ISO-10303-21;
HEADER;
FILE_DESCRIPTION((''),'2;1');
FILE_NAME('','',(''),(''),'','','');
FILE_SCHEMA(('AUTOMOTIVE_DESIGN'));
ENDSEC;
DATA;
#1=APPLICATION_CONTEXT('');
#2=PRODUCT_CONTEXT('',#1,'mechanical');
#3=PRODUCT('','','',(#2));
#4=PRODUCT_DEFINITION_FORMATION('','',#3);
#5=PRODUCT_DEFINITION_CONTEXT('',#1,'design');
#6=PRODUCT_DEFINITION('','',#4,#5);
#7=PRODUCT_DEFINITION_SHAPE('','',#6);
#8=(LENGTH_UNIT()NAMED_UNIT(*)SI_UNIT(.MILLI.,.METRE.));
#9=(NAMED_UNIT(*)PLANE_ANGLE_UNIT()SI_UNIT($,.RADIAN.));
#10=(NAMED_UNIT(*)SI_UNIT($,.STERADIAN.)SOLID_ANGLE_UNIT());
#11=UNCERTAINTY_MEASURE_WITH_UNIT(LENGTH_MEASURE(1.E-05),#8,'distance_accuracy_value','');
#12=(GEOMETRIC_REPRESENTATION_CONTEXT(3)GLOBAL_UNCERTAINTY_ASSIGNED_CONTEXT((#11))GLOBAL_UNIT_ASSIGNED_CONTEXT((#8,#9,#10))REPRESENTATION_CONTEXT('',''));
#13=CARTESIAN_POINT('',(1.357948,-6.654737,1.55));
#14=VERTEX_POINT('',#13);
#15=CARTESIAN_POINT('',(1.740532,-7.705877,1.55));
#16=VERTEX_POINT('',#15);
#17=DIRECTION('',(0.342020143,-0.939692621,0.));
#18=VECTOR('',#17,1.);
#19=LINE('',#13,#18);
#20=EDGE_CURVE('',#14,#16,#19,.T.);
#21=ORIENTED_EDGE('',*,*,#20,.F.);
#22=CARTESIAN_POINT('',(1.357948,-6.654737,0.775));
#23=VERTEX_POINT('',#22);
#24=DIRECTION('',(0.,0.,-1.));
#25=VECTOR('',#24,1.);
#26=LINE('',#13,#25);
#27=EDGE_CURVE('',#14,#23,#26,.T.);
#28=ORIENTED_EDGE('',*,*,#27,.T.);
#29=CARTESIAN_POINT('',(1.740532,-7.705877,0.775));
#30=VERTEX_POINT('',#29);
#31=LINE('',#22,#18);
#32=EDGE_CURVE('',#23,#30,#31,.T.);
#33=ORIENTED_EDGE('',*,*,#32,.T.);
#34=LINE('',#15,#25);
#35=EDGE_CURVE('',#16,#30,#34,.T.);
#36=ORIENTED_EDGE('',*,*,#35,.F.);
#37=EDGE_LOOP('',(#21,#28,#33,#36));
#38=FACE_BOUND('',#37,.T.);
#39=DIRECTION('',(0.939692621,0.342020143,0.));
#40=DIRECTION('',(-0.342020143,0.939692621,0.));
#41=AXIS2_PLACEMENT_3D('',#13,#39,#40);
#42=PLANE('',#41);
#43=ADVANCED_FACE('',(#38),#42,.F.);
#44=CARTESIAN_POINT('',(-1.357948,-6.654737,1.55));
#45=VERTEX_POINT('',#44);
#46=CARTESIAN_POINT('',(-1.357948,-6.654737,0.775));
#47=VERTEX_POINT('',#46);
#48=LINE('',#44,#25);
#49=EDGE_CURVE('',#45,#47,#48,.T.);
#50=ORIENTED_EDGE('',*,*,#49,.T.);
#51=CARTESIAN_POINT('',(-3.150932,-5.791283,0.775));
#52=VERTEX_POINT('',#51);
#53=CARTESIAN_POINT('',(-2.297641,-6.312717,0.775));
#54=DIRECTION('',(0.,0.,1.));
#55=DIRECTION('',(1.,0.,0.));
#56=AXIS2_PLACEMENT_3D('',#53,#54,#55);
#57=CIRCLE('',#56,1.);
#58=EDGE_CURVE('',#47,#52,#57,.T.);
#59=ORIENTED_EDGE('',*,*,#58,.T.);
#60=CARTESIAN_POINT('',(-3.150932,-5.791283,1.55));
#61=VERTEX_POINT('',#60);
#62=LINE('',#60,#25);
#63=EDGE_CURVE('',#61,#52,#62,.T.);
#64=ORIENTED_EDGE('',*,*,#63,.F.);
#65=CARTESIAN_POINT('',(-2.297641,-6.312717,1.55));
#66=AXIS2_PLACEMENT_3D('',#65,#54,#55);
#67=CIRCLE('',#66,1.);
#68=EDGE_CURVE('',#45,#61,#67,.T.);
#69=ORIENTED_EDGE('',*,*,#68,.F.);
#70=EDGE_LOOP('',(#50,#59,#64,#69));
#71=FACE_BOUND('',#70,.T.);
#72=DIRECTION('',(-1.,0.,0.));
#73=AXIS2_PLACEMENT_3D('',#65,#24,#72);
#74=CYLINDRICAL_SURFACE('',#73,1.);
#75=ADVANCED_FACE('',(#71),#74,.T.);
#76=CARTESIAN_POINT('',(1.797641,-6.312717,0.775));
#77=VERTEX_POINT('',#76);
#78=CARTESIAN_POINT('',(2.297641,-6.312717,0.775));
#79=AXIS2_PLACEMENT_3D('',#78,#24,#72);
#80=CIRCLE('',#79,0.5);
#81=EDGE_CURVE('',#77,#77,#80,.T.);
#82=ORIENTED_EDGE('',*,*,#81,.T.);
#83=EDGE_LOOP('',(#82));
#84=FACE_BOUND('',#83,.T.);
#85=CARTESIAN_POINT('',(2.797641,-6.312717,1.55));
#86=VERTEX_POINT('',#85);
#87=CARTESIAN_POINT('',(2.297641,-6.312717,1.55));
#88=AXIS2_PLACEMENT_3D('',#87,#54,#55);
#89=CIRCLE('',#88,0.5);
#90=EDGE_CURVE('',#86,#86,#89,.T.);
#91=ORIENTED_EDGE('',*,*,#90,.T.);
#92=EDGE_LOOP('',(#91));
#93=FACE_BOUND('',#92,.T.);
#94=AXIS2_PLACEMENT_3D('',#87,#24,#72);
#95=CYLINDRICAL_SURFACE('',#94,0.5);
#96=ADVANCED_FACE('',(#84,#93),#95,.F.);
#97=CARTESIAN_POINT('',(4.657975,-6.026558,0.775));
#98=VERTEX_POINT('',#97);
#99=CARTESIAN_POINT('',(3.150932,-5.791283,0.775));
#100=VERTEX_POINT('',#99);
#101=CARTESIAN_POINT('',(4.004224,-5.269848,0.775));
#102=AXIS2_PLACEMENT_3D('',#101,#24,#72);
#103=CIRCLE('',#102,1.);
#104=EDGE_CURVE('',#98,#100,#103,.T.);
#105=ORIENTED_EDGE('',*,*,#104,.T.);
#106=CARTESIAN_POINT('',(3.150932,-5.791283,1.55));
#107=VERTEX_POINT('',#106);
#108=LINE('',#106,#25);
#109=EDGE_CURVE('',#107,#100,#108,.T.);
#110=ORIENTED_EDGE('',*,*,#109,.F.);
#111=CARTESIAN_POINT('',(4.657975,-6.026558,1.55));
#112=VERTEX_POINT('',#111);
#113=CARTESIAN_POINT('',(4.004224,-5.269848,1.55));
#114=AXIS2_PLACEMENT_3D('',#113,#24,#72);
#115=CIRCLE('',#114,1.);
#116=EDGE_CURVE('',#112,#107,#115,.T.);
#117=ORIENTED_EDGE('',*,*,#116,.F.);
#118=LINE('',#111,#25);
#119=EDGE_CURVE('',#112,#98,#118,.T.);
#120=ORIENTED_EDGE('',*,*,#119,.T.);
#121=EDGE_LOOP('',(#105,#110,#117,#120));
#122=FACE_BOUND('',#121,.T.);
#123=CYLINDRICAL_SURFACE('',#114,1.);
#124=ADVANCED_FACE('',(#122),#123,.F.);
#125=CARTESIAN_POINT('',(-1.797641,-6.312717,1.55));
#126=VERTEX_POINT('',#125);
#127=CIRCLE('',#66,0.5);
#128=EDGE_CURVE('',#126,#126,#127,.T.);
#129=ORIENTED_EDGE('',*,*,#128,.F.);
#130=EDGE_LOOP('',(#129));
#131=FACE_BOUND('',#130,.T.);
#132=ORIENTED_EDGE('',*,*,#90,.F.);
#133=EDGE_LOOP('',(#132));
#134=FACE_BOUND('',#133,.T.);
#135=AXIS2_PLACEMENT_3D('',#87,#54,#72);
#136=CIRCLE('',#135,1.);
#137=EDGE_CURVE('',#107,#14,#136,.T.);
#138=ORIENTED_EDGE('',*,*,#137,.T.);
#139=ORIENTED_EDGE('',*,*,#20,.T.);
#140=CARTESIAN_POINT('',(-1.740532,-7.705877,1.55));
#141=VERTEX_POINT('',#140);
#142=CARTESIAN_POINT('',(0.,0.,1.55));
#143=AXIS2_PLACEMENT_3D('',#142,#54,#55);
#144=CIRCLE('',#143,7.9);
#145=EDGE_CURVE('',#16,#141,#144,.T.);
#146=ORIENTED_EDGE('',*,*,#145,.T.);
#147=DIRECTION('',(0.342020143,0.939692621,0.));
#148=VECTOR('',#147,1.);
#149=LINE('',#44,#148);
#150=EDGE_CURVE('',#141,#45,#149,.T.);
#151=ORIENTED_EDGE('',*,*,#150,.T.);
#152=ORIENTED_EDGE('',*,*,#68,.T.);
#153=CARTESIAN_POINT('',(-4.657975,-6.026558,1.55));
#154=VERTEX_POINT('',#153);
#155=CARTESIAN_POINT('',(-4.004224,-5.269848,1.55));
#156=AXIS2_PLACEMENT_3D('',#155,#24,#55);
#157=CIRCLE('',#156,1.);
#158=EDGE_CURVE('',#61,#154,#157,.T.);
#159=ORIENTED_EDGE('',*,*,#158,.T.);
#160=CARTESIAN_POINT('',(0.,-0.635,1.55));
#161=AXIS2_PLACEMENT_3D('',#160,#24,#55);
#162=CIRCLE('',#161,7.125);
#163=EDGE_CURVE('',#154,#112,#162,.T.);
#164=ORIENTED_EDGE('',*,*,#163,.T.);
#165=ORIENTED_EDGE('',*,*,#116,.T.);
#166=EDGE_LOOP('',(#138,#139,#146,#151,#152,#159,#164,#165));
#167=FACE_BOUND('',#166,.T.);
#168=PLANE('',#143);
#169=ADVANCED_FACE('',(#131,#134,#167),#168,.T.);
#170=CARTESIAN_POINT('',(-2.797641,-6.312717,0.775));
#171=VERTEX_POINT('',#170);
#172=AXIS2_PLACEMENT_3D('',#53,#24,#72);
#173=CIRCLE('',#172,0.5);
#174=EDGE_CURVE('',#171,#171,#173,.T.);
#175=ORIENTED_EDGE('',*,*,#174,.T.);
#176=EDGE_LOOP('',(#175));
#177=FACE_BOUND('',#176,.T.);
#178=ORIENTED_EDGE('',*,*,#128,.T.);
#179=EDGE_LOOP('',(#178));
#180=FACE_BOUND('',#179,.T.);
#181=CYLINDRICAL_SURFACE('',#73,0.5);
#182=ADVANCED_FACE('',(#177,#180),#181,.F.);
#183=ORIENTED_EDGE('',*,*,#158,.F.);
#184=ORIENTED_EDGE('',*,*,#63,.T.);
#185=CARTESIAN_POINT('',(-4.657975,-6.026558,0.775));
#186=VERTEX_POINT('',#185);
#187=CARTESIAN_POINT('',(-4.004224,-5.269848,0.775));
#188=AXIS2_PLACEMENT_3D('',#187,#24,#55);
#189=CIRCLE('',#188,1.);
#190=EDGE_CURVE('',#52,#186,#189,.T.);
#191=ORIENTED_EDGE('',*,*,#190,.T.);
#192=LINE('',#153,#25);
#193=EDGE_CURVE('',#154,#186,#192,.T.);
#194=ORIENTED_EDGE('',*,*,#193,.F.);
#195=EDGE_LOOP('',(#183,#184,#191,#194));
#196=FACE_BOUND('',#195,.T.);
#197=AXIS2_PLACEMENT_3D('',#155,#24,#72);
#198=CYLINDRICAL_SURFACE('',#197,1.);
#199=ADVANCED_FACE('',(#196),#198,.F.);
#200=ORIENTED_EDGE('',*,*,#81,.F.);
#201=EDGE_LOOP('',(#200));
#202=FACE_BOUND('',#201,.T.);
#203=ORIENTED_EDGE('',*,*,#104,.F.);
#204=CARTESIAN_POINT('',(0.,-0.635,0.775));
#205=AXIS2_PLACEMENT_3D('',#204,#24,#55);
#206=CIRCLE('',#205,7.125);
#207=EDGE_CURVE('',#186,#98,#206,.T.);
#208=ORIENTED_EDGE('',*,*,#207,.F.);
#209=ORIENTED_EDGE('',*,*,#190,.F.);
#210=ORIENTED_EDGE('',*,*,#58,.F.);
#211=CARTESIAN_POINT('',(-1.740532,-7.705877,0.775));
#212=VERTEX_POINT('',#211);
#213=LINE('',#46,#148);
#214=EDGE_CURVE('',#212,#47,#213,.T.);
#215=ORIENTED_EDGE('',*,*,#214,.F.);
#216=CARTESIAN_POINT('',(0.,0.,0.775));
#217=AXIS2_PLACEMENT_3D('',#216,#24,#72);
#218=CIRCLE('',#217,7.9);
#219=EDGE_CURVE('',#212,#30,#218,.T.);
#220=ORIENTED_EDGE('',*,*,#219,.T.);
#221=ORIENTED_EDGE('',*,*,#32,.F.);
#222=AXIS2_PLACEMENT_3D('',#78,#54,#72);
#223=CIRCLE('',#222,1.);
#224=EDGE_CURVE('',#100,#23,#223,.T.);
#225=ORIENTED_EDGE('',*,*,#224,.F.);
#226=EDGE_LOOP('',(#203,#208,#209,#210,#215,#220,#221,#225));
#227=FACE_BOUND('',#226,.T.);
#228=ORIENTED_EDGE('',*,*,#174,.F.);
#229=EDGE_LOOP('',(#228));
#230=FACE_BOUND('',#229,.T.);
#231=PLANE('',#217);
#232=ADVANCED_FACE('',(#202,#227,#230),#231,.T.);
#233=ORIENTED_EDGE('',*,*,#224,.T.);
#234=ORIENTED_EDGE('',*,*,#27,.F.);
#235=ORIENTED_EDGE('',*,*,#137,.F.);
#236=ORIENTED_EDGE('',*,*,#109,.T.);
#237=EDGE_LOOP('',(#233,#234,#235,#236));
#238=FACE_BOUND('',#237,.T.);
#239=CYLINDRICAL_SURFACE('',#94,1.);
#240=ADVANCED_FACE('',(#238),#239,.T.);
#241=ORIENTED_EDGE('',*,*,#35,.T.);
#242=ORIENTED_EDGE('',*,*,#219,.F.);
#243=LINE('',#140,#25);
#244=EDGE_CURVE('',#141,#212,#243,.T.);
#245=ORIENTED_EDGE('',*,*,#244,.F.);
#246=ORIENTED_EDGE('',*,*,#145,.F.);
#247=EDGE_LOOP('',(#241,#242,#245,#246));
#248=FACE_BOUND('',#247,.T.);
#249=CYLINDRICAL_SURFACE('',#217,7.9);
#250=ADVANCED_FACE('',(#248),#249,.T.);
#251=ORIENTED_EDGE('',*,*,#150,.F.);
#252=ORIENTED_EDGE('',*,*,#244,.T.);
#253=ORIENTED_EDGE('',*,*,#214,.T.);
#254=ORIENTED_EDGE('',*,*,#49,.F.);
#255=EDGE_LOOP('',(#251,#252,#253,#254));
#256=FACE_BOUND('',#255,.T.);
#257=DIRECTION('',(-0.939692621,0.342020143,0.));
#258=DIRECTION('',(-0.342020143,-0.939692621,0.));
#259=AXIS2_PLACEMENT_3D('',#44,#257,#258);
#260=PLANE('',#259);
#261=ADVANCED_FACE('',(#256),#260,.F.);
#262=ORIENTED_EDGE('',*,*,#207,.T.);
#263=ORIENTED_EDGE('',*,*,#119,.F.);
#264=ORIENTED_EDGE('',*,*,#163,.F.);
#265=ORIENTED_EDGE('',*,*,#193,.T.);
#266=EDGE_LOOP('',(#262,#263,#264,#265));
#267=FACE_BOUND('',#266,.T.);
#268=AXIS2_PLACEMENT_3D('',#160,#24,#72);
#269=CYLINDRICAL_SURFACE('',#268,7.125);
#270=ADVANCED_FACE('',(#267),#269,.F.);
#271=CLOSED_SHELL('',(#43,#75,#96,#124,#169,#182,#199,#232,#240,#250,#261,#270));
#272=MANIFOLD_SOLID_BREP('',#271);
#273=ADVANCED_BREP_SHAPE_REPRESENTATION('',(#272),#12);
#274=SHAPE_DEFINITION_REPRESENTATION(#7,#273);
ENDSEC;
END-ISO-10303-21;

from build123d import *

# Parameters (mm, degrees)
SKETCH1_R                 = 7.9
EXTRUDE1_DEPTH            = 0.775
SKETCH34_R                = 0.5
F_056_250_SNAP_RING_DEPTH = 0.775
SKETCH35_R                = 7.9
CUT_EXTRUDE1_DEPTH        = 0.775


with BuildPart() as part:
    # Sketch1 → Extrude1 (new body)
    with BuildSketch(Plane.XY):
        with Locations(Location((0, 0, 0), (0, 0, 180))):
            Circle(SKETCH1_R)
    extrude(amount=EXTRUDE1_DEPTH)

    # Sketch34 → 056-250 Snap Ring (add)
    with BuildSketch(Plane.XY.offset(0.775)):
        with BuildLine():
            Line((-1.357948468, -6.654737152), (-1.740532253, -7.705877463))
            ThreePointArc((-1.740532253, -7.705877463), (0, 7.9), (1.740532253, -7.705877463))
            Line((1.740532253, -7.705877463), (1.357948468, -6.654737152))
            ThreePointArc((1.357948468, -6.654737152), (1.863757747, -5.411747949), (3.15093243, -5.791282558))
            ThreePointArc((3.15093243, -5.791282558), (3.849974822, -6.257880122), (4.657974592, -6.026558003))
            ThreePointArc((4.657974592, -6.026558003), (0, 6.49), (-4.657974592, -6.026558003))
            ThreePointArc((-4.657974592, -6.026558003), (-3.849974822, -6.257880122), (-3.15093243, -5.791282558))
            ThreePointArc((-3.15093243, -5.791282558), (-1.863757747, -5.411747949), (-1.357948468, -6.654737152))
        make_face()
        with Locations((2.297641088, -6.312717009)):
            Circle(SKETCH34_R, mode=Mode.SUBTRACT)
        with Locations((-2.297641088, -6.312717009)):
            Circle(SKETCH34_R, mode=Mode.SUBTRACT)
    extrude(amount=F_056_250_SNAP_RING_DEPTH)

    # Sketch35 → Cut-Extrude1 (cut)
    with BuildSketch(Plane(origin=(0, 0, 0), x_dir=(-1, 0, 0), z_dir=(0, 0, -1))):
        Circle(SKETCH35_R)
    extrude(amount=-CUT_EXTRUDE1_DEPTH, mode=Mode.SUBTRACT)


solid = part.part
